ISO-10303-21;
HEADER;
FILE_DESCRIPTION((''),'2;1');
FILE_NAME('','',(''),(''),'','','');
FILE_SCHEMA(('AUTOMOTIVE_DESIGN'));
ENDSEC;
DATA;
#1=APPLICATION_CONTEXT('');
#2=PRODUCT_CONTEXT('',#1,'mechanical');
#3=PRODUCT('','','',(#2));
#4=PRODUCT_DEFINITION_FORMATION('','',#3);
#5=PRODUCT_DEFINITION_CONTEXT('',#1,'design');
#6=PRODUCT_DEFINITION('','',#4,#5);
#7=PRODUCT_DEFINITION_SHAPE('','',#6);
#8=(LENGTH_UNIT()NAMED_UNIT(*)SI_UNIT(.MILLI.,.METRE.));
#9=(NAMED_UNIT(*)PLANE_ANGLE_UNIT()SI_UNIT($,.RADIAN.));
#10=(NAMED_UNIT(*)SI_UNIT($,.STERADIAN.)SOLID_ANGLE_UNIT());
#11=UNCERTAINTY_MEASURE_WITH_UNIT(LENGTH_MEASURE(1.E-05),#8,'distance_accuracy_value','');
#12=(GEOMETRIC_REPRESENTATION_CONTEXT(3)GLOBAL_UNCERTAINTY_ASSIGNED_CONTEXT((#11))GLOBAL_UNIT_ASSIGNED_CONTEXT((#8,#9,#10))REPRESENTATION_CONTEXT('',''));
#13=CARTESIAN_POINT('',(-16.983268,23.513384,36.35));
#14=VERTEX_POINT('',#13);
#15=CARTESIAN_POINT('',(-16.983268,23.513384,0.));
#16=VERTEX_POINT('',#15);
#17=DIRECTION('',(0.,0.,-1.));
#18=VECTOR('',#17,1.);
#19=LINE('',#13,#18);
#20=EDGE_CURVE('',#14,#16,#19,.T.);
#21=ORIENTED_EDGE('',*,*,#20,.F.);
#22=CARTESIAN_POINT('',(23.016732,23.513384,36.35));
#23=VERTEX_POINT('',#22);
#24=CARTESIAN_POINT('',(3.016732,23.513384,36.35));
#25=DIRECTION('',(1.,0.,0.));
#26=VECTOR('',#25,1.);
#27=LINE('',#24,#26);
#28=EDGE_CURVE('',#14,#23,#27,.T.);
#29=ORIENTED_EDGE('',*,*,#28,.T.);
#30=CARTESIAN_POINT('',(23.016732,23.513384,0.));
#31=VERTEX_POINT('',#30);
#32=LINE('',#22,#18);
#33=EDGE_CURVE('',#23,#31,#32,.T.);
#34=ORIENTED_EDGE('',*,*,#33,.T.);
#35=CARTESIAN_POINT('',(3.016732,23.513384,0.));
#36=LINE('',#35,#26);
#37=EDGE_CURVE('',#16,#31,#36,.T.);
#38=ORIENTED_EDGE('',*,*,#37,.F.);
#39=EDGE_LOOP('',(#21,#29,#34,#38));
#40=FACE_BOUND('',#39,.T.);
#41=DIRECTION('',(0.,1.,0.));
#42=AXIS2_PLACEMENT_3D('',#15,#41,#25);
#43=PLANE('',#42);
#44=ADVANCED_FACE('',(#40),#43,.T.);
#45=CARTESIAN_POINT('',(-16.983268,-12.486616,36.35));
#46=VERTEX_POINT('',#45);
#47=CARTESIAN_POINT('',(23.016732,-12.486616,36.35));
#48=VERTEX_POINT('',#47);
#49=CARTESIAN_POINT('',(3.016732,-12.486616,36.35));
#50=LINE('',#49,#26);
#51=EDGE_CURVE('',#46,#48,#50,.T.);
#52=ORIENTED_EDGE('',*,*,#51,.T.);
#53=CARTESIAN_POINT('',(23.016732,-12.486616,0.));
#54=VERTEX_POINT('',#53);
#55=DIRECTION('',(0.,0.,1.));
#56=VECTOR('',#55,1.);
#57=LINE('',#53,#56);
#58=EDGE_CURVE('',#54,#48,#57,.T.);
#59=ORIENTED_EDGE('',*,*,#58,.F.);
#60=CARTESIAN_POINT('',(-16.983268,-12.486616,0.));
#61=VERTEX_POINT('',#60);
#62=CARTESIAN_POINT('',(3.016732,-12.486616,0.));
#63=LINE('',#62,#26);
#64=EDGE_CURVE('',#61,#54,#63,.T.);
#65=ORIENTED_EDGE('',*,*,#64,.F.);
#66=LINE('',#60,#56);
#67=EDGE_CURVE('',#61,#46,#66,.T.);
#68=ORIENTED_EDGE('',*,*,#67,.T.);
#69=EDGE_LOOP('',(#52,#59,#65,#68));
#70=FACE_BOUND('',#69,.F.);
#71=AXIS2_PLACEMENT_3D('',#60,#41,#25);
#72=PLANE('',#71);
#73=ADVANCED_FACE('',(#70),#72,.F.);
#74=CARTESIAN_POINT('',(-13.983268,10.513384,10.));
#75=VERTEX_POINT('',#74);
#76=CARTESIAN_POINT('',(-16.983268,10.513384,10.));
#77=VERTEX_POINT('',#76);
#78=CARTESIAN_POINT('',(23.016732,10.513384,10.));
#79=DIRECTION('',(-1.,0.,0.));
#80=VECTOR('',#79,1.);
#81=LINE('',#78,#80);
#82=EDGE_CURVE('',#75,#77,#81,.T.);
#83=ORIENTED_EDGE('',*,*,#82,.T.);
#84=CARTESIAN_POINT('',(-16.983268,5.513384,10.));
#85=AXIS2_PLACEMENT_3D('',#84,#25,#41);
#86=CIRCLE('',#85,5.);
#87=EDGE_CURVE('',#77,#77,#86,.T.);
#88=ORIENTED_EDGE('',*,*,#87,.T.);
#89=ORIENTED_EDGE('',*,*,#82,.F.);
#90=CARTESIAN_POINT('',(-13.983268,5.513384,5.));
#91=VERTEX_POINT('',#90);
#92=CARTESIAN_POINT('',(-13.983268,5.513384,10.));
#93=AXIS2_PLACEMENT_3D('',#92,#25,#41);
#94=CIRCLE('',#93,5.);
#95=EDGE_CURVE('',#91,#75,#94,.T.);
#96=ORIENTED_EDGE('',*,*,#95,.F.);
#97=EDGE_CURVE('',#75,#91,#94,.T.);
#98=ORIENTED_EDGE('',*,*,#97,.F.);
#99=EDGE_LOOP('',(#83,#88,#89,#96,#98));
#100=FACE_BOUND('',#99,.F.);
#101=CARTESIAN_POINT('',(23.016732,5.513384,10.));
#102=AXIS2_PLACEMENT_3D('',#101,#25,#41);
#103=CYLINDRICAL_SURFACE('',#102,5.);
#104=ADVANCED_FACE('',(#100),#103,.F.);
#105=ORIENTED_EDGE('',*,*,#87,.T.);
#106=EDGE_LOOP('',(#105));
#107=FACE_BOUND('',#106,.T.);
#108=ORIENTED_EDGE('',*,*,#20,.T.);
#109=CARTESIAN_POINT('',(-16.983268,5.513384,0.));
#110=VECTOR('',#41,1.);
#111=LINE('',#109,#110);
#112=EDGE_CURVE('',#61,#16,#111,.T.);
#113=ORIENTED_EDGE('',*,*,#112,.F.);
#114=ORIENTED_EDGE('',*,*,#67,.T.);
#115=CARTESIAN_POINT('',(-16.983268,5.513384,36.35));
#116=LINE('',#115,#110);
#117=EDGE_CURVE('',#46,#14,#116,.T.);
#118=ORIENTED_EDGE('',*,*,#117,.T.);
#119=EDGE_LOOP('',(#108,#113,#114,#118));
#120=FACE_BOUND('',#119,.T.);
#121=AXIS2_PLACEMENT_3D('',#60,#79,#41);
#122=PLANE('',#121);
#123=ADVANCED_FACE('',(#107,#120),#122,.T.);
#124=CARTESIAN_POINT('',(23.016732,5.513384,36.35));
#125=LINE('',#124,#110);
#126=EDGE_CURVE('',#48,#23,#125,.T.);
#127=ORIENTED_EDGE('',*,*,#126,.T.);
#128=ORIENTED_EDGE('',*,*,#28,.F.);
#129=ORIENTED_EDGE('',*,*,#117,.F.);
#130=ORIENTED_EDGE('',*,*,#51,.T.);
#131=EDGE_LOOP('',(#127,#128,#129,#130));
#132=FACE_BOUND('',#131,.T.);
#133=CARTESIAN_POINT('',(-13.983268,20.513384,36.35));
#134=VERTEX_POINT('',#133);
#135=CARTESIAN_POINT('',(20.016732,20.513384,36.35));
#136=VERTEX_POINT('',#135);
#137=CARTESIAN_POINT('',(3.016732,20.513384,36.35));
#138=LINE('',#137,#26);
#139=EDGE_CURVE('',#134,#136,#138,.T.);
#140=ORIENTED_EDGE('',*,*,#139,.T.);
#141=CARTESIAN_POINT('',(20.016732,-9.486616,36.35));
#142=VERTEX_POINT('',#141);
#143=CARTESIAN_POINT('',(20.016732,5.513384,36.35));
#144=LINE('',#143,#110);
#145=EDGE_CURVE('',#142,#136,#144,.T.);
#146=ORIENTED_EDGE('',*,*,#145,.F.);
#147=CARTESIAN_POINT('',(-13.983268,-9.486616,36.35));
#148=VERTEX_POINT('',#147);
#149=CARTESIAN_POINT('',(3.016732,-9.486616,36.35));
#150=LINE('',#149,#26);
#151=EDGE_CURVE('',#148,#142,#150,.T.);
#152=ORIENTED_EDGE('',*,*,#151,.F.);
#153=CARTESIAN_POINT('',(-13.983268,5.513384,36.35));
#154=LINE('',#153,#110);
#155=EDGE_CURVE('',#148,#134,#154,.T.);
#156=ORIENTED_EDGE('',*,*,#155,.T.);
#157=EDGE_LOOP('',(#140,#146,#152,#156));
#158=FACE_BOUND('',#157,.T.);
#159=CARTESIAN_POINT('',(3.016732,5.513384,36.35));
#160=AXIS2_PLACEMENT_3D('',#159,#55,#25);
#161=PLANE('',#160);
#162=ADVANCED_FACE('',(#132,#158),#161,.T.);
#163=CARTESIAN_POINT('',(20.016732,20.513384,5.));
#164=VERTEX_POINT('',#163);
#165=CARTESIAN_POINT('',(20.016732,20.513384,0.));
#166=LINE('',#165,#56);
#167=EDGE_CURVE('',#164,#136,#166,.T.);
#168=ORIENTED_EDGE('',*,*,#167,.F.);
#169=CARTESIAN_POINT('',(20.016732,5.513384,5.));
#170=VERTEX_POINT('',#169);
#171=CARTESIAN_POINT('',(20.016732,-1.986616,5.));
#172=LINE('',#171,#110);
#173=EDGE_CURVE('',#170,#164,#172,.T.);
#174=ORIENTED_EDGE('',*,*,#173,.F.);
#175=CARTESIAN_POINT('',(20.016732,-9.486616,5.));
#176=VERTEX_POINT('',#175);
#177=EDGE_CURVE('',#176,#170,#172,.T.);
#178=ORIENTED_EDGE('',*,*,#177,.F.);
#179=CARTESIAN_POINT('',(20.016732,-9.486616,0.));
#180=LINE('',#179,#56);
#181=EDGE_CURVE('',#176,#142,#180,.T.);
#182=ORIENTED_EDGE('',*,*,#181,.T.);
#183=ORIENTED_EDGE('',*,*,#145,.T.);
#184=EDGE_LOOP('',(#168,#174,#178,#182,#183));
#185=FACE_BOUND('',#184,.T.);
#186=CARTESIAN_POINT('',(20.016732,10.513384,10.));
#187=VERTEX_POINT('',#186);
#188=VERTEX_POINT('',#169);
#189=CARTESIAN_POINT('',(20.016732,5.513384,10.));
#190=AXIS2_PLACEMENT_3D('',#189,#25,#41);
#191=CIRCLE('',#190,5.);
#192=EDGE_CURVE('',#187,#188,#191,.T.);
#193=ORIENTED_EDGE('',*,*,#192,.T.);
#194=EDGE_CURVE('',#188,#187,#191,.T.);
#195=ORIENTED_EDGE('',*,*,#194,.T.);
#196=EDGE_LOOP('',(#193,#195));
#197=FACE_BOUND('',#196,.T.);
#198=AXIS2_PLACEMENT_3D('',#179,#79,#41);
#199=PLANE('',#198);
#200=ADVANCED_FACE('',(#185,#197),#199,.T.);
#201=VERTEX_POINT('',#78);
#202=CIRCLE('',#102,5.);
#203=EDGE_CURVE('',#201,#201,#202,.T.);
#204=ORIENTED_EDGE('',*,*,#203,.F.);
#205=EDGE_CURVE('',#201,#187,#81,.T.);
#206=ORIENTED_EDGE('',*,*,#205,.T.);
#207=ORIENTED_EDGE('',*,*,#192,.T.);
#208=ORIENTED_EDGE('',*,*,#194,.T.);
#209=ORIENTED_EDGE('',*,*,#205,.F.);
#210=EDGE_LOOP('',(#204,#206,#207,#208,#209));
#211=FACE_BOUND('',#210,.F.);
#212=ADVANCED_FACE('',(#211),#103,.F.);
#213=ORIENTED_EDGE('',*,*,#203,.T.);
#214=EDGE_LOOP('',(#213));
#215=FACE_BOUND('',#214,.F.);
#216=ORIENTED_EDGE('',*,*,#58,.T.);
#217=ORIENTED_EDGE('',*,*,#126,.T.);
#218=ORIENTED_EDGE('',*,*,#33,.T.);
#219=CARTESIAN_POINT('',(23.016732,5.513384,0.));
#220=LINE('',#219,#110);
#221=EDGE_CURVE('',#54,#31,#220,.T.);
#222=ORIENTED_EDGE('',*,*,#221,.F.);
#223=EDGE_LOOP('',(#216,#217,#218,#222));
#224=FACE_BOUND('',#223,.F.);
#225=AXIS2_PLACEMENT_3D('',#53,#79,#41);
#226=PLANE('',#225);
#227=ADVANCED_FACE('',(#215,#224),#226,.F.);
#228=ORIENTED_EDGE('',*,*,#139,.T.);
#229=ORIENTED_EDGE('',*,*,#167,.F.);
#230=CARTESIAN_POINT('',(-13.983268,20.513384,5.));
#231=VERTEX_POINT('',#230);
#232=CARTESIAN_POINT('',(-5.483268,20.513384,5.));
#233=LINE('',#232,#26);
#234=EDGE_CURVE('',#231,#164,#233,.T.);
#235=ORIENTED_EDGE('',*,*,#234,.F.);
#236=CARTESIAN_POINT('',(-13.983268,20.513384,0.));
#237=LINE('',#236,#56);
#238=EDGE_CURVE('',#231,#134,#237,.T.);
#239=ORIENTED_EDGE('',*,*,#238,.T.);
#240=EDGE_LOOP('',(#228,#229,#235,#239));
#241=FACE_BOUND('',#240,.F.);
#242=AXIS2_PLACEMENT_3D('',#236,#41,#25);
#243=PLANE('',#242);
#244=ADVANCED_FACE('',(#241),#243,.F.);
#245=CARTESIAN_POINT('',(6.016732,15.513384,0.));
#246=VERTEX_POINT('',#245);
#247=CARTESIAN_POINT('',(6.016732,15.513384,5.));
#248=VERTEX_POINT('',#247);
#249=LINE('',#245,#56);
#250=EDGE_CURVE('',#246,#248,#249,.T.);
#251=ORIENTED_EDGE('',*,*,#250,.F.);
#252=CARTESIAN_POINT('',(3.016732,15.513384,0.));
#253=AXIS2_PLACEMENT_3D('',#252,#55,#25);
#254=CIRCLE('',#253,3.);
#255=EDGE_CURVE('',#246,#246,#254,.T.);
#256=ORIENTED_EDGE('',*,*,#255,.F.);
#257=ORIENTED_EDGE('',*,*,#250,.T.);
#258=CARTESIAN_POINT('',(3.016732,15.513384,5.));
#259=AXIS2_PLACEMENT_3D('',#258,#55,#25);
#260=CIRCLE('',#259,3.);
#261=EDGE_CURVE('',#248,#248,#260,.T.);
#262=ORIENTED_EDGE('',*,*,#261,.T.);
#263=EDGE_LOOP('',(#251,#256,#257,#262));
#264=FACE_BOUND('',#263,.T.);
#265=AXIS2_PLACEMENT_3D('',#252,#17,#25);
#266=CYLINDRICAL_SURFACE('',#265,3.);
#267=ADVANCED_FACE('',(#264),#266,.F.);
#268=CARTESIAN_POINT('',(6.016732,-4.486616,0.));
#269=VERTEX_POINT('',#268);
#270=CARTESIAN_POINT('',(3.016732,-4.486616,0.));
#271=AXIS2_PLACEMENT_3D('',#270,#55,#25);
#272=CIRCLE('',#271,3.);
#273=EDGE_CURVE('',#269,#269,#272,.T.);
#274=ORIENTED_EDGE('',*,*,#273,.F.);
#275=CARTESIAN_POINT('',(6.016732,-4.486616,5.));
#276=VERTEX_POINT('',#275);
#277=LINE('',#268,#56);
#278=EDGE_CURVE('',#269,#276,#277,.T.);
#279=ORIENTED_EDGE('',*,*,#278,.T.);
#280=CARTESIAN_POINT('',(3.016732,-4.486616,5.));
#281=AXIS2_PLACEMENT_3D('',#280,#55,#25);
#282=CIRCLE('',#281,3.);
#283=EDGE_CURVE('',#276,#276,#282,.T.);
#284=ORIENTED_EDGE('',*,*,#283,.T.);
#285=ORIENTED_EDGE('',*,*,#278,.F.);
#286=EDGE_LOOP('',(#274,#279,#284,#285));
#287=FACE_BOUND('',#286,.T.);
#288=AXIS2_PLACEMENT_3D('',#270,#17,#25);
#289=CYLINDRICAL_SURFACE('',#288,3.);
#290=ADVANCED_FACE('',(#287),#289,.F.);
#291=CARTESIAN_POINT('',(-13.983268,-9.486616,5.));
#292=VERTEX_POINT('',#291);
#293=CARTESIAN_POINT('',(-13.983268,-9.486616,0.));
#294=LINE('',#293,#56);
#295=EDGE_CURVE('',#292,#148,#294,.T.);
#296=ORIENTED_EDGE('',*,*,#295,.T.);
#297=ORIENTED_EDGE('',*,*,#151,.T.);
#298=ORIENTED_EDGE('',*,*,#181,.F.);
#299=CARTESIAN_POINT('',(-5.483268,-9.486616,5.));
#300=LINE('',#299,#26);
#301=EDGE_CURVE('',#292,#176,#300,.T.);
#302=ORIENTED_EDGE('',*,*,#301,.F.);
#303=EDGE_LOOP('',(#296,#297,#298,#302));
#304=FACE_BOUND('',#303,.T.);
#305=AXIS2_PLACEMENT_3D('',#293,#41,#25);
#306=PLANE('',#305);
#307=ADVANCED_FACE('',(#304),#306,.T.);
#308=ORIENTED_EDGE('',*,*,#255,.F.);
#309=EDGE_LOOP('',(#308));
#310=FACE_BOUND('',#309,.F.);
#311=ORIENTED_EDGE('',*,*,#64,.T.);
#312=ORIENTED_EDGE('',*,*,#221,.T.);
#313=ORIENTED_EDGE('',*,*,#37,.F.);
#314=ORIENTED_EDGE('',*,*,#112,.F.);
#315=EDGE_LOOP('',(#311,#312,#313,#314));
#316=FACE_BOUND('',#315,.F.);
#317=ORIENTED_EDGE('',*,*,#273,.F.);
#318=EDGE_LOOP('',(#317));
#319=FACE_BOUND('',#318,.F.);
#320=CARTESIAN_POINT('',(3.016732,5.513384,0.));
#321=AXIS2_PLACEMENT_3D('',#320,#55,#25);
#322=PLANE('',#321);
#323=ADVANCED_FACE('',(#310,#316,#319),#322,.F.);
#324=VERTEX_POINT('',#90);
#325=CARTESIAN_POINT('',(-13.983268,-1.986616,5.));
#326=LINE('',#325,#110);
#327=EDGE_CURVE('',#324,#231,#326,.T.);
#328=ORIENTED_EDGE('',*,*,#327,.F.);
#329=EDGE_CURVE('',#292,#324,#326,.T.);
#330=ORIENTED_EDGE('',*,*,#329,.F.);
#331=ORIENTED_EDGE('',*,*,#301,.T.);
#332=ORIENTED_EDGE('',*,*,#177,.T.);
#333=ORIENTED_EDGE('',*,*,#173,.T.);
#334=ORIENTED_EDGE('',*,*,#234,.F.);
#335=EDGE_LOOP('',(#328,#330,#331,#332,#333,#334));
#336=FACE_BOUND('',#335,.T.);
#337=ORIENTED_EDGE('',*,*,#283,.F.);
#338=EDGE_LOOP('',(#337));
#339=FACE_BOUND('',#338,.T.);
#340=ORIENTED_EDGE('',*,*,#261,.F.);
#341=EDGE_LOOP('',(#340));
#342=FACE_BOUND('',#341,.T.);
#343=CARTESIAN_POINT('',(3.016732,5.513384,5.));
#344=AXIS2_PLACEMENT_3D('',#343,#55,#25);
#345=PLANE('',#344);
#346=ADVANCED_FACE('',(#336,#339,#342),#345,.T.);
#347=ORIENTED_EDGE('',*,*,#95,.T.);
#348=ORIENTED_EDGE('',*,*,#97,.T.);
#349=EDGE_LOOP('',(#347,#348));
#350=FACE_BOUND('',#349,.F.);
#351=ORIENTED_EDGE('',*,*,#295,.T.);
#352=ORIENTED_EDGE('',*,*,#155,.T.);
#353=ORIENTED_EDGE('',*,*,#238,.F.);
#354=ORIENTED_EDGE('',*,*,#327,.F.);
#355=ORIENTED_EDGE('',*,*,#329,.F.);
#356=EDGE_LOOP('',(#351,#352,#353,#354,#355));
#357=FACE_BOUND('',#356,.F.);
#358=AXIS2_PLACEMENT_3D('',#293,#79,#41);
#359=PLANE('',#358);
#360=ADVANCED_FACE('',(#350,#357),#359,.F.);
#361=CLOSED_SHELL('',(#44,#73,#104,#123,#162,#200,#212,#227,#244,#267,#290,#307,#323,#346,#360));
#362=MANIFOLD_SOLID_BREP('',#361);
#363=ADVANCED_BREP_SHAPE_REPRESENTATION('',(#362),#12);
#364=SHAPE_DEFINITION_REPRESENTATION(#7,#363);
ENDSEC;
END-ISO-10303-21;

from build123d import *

# Parameters (mm, degrees)
F0_W     = 40
F0_H     = 36
F0_W_2   = 34
F0_H_2   = 30
F1_DEPTH = 36.35
F0_R     = 3
F2_DEPTH = 5
F3_R     = 5
F4_DEPTH = 40.001


with BuildPart() as f1:
    # F0 (on Top) → F1 (new body)
    with BuildSketch(Plane.XY):
        with Locations((3.016732, 5.513384)):
            Rectangle(F0_W, F0_H)
        with Locations((3.016732, 5.513384)):
            Rectangle(F0_W_2, F0_H_2, mode=Mode.SUBTRACT)
    extrude(amount=F1_DEPTH)

    # F0 (on Top) → F2 (join)
    with BuildSketch(Plane.XY):
        with Locations((3.016732, 5.513384)):
            Rectangle(F0_W, F0_H)
        with Locations((3.016732, 5.513384)):
            Rectangle(F0_W_2, F0_H_2, mode=Mode.SUBTRACT)
        with Locations((3.016732, 5.513384)):
            Rectangle(F0_W_2, F0_H_2)
        with Locations((3.016732, -4.486616)):
            Circle(F0_R, mode=Mode.SUBTRACT)
        with Locations((3.016732, 15.513384)):
            Circle(F0_R, mode=Mode.SUBTRACT)
    extrude(amount=F2_DEPTH)

    # F3 (on face) → F4 (cut, through all)
    with BuildSketch(Plane.YZ.offset(23.016732)):
        with Locations((5.513384, 10)):
            Circle(F3_R)
    extrude(amount=-F4_DEPTH, mode=Mode.SUBTRACT)


solid = f1.part
